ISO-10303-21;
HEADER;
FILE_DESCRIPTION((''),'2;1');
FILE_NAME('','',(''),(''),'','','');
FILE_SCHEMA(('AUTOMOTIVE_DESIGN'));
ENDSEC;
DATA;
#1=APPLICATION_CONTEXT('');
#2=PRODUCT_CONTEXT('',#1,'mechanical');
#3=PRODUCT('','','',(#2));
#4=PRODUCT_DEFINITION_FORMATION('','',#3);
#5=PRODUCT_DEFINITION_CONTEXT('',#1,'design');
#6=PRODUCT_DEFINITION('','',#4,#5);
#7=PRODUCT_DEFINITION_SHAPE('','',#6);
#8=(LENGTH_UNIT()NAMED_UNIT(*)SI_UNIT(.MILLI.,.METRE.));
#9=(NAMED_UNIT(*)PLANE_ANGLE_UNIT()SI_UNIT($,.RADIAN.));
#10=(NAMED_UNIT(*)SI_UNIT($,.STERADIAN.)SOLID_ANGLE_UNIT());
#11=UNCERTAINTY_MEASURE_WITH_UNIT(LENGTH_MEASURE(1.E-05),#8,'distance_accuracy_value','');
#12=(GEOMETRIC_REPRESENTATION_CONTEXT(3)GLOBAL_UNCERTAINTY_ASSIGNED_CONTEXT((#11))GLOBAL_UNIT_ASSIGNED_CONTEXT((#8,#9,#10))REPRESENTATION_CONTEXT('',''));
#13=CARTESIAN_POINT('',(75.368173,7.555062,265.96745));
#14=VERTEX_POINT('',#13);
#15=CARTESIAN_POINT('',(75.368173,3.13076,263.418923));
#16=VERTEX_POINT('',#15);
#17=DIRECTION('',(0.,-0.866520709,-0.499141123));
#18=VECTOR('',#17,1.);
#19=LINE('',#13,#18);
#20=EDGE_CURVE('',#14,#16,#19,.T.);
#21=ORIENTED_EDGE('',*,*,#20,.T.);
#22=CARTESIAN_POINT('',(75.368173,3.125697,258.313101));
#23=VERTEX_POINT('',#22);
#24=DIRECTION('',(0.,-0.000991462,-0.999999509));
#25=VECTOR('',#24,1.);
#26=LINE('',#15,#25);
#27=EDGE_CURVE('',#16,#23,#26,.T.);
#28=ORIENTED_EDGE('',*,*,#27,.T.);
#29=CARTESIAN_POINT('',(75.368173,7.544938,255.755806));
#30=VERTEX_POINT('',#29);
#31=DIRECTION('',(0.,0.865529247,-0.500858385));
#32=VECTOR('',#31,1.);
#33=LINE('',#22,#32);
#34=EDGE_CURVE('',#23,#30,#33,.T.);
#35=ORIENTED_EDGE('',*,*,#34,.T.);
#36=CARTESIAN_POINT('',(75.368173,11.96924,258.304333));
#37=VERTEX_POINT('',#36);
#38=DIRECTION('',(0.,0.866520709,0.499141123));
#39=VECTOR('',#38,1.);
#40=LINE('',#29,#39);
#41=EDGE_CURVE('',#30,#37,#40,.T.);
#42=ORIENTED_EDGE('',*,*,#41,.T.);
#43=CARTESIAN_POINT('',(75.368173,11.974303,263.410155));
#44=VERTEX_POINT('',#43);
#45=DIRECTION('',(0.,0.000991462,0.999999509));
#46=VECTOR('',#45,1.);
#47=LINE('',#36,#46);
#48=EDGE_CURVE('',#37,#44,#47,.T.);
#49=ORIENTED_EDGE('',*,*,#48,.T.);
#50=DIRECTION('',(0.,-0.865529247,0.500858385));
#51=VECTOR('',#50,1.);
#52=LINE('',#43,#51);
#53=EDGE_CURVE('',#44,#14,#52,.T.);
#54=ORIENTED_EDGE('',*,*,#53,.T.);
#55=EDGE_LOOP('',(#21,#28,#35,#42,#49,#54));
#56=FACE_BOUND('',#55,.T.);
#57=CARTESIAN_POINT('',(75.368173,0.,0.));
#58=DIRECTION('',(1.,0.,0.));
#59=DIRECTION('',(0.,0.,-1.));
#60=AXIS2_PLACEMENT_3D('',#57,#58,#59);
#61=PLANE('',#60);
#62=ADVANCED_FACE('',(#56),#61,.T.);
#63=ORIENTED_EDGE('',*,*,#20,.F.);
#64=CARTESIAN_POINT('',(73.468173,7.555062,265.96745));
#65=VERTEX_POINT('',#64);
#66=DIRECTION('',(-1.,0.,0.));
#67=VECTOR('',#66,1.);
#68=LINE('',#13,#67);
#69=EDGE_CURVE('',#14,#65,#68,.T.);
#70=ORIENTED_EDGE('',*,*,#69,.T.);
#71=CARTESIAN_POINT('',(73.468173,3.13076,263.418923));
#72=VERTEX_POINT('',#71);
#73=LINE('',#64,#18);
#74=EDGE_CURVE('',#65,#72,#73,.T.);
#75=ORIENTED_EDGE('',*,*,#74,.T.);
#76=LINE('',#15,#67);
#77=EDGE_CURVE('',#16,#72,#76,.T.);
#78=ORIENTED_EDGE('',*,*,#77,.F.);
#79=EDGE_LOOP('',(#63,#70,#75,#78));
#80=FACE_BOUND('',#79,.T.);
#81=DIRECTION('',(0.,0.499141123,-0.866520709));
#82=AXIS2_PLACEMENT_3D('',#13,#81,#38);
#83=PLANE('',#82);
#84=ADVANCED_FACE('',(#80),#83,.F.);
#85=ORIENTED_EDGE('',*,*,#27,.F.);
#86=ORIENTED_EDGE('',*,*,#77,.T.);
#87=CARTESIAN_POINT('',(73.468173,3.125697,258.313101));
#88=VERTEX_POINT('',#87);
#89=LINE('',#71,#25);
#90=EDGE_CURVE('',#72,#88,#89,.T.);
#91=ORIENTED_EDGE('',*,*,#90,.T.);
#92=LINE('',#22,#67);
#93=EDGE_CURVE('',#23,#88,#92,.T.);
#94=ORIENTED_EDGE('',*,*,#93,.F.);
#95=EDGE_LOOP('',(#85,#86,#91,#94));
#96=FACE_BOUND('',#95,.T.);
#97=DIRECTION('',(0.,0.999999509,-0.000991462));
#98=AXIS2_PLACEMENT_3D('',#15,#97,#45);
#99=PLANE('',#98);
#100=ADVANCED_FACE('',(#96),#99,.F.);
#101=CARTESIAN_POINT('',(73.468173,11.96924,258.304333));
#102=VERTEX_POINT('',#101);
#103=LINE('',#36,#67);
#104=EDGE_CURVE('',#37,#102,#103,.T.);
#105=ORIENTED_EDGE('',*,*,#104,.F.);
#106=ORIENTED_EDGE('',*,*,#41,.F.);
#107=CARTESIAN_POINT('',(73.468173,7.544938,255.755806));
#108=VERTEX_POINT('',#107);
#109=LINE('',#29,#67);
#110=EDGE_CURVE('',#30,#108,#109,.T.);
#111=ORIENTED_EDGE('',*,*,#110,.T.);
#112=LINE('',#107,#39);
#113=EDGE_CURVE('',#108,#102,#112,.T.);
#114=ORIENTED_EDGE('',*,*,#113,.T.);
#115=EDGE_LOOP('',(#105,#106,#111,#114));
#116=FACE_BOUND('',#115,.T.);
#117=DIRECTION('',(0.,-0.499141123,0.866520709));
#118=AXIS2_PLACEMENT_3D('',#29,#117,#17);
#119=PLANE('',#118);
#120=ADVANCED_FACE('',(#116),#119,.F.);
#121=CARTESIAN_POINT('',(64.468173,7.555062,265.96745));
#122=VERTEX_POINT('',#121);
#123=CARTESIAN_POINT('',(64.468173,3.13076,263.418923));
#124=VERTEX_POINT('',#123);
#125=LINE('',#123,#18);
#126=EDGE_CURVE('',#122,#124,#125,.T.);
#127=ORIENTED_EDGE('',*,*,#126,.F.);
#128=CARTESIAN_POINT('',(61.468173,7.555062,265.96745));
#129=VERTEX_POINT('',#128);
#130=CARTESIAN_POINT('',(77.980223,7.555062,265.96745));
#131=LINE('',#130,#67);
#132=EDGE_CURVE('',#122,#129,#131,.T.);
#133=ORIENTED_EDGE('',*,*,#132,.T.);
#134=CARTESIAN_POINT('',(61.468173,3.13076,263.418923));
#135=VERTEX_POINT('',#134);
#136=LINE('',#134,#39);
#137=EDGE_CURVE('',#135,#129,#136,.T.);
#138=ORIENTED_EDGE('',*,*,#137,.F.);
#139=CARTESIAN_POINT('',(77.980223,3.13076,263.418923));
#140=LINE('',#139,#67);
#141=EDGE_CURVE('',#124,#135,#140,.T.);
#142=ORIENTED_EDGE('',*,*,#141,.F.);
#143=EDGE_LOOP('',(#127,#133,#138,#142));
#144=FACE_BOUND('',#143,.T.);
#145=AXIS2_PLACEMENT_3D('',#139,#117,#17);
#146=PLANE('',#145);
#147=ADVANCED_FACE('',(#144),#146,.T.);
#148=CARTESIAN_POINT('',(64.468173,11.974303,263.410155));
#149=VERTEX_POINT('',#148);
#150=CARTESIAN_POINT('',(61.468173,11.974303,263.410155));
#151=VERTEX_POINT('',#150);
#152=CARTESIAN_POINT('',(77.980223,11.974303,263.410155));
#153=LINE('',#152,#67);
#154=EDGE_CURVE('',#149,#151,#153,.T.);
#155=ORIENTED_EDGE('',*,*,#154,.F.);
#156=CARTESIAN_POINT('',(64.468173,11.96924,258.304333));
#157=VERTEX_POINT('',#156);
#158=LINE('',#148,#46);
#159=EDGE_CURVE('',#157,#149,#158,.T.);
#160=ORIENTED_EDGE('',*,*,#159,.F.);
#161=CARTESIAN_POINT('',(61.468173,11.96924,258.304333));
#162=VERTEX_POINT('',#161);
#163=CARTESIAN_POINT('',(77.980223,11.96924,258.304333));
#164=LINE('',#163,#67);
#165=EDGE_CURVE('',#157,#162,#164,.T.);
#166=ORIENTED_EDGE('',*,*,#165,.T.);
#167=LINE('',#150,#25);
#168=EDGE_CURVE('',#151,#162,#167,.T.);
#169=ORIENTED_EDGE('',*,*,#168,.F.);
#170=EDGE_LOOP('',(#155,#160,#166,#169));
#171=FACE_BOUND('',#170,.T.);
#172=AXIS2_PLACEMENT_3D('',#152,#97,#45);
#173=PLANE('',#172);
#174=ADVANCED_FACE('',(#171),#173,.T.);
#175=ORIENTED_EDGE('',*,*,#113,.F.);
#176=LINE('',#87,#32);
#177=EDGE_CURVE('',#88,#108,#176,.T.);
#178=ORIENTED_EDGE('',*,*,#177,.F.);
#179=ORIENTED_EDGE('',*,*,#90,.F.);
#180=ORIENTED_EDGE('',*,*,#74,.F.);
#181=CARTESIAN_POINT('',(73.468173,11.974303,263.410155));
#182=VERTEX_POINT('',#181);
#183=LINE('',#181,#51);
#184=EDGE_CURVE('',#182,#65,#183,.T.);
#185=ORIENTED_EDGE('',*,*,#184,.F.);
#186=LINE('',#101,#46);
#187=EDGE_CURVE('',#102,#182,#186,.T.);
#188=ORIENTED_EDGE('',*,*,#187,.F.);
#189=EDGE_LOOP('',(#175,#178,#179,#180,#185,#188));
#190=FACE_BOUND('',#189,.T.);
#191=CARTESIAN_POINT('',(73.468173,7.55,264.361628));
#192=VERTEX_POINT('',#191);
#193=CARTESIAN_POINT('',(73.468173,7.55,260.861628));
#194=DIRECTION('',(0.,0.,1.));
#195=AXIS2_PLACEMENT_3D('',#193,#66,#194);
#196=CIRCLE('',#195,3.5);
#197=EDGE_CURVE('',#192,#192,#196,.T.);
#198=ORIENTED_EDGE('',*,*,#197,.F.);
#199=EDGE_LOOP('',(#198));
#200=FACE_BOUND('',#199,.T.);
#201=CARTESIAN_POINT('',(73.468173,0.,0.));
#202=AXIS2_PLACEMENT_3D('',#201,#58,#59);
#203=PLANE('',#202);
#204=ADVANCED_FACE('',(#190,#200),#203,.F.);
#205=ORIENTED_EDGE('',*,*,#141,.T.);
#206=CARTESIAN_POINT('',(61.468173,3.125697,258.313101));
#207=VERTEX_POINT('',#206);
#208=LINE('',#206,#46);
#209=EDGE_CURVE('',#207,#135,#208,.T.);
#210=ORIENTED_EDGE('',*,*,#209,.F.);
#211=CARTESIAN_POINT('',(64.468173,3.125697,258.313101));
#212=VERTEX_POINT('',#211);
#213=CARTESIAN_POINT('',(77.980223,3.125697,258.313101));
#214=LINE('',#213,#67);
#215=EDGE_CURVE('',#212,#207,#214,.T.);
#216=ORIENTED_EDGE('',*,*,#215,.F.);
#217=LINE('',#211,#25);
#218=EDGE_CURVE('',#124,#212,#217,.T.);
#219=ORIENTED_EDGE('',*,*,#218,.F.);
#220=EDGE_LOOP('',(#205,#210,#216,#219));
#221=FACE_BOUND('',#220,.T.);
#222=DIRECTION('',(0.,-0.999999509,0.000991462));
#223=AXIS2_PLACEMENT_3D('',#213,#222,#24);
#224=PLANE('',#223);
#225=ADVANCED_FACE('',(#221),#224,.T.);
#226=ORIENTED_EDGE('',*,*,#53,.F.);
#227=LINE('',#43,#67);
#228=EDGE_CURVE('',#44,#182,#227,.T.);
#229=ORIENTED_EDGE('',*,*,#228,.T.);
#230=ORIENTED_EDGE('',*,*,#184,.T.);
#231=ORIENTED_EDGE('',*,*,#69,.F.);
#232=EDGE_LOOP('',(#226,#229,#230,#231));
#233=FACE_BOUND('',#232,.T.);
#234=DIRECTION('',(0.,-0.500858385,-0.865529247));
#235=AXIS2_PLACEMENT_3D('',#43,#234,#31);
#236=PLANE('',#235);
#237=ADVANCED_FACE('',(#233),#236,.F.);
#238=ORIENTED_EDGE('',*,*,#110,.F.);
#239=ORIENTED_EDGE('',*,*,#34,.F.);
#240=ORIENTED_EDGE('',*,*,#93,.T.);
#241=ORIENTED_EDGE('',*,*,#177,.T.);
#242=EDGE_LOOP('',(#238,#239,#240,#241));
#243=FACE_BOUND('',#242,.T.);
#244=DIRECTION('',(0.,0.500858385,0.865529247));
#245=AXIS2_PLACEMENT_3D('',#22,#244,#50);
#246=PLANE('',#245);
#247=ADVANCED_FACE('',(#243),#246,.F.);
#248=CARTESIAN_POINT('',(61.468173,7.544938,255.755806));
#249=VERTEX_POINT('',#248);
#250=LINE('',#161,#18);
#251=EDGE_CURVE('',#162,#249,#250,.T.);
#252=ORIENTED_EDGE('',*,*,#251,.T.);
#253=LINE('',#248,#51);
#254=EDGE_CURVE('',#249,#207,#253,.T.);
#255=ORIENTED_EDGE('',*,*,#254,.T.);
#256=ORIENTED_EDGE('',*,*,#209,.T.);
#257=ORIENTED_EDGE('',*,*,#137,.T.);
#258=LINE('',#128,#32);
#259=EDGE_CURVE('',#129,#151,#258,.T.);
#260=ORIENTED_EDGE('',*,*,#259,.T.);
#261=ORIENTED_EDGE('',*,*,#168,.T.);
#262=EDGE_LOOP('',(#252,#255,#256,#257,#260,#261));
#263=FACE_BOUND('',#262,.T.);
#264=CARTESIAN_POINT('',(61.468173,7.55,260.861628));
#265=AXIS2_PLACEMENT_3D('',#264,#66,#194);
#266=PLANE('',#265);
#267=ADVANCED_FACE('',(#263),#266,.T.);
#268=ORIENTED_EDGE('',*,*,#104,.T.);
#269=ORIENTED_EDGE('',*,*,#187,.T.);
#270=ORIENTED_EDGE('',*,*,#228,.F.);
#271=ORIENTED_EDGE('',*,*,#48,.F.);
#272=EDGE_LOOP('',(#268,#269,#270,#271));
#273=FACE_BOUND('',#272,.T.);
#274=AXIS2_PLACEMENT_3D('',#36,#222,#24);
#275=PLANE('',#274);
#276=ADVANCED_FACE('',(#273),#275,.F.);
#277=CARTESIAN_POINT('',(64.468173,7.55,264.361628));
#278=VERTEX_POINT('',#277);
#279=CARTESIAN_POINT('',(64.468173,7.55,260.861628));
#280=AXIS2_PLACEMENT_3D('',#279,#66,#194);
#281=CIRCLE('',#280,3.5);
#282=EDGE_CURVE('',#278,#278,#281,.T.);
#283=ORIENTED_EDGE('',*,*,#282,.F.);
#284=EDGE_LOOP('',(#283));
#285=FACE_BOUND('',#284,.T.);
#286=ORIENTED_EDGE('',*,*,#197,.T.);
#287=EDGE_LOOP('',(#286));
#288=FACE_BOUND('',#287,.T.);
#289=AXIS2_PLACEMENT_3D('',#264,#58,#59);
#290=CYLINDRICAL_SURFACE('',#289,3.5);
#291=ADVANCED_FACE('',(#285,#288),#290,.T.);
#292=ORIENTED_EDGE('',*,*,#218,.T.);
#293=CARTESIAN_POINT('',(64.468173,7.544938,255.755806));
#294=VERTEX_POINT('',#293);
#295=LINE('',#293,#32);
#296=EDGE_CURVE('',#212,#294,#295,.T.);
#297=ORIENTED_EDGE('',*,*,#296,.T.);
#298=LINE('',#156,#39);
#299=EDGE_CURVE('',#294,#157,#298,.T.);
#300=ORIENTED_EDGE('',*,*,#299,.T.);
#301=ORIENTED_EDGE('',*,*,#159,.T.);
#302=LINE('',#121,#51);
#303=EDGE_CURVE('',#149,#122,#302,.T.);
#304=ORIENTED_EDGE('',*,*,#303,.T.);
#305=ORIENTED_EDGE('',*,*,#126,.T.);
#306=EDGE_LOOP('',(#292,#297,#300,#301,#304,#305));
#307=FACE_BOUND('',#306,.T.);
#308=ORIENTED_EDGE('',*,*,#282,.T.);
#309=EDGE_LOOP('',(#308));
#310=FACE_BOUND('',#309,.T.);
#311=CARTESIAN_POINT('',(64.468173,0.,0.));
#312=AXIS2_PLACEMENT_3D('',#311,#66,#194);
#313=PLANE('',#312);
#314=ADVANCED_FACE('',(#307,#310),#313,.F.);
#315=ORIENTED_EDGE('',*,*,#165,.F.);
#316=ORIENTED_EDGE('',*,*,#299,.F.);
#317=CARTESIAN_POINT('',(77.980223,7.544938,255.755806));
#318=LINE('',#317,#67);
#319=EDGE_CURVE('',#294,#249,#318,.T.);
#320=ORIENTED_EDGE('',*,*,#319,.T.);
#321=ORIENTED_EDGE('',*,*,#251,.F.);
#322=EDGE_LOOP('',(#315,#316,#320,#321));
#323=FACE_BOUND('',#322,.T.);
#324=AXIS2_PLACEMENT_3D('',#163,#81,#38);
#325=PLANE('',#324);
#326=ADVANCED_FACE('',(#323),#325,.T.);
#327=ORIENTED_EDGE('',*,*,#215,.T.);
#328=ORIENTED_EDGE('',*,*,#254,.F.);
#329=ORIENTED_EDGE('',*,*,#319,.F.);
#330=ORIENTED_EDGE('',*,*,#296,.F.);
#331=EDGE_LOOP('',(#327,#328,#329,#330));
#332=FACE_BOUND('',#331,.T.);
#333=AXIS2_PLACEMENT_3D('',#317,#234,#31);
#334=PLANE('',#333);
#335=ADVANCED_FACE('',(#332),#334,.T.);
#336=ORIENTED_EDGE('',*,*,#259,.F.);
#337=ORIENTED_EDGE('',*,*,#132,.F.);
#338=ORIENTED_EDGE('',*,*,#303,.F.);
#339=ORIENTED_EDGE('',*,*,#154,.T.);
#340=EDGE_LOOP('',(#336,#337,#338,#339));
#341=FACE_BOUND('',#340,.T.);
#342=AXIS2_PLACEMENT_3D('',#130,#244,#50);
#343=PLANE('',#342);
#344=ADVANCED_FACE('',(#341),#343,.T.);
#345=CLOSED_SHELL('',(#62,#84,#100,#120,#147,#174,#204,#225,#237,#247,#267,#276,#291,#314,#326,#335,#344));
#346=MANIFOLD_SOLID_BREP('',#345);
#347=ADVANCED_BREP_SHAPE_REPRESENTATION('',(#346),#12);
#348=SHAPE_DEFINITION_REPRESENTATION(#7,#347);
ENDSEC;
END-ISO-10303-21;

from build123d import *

# Parameters (mm, degrees)
SKETCH1_R                = 3.5
BOSS_EXTRUDE1_DEPTH      = 3
BOSS_EXTRUDE1_DEPTH_BACK = 9
BOSS_EXTRUDE2_DEPTH      = 3
BOSS_EXTRUDE3_DEPTH      = 1.9


with BuildPart() as part:
    # Sketch1 → Boss-Extrude1 (new body, two sides)
    with BuildSketch(Plane.ZY.offset(-64.468173267)) as boss_extrude1_sk:
        with Locations((260.861627804, 7.55)):
            Circle(SKETCH1_R)
    extrude(amount=BOSS_EXTRUDE1_DEPTH)
    extrude(boss_extrude1_sk.sketch, amount=-BOSS_EXTRUDE1_DEPTH_BACK)

    # Sketch2 → Boss-Extrude2 (add)
    with BuildSketch(Plane.ZY.offset(-61.468173267)):
        Polygon((263.418922822, 3.130759561), (265.967449799, 7.555062231), (263.410154781, 11.974302669), (258.304332787, 11.969240439), (255.75580581, 7.544937769), (258.313100828, 3.125697331), align=None)
    extrude(amount=-BOSS_EXTRUDE2_DEPTH)

    # Sketch3 → Boss-Extrude3 (add)
    with BuildSketch(Plane(origin=(73.468173267, 0, 0), x_dir=(0, 0, -1), z_dir=(1, 0, 0))):
        Polygon((-258.313100828, 3.125697331), (-255.75580581, 7.544937769), (-258.304332787, 11.969240439), (-263.410154781, 11.974302669), (-265.967449799, 7.555062231), (-263.418922822, 3.130759561), align=None)
    extrude(amount=BOSS_EXTRUDE3_DEPTH)


solid = part.part
